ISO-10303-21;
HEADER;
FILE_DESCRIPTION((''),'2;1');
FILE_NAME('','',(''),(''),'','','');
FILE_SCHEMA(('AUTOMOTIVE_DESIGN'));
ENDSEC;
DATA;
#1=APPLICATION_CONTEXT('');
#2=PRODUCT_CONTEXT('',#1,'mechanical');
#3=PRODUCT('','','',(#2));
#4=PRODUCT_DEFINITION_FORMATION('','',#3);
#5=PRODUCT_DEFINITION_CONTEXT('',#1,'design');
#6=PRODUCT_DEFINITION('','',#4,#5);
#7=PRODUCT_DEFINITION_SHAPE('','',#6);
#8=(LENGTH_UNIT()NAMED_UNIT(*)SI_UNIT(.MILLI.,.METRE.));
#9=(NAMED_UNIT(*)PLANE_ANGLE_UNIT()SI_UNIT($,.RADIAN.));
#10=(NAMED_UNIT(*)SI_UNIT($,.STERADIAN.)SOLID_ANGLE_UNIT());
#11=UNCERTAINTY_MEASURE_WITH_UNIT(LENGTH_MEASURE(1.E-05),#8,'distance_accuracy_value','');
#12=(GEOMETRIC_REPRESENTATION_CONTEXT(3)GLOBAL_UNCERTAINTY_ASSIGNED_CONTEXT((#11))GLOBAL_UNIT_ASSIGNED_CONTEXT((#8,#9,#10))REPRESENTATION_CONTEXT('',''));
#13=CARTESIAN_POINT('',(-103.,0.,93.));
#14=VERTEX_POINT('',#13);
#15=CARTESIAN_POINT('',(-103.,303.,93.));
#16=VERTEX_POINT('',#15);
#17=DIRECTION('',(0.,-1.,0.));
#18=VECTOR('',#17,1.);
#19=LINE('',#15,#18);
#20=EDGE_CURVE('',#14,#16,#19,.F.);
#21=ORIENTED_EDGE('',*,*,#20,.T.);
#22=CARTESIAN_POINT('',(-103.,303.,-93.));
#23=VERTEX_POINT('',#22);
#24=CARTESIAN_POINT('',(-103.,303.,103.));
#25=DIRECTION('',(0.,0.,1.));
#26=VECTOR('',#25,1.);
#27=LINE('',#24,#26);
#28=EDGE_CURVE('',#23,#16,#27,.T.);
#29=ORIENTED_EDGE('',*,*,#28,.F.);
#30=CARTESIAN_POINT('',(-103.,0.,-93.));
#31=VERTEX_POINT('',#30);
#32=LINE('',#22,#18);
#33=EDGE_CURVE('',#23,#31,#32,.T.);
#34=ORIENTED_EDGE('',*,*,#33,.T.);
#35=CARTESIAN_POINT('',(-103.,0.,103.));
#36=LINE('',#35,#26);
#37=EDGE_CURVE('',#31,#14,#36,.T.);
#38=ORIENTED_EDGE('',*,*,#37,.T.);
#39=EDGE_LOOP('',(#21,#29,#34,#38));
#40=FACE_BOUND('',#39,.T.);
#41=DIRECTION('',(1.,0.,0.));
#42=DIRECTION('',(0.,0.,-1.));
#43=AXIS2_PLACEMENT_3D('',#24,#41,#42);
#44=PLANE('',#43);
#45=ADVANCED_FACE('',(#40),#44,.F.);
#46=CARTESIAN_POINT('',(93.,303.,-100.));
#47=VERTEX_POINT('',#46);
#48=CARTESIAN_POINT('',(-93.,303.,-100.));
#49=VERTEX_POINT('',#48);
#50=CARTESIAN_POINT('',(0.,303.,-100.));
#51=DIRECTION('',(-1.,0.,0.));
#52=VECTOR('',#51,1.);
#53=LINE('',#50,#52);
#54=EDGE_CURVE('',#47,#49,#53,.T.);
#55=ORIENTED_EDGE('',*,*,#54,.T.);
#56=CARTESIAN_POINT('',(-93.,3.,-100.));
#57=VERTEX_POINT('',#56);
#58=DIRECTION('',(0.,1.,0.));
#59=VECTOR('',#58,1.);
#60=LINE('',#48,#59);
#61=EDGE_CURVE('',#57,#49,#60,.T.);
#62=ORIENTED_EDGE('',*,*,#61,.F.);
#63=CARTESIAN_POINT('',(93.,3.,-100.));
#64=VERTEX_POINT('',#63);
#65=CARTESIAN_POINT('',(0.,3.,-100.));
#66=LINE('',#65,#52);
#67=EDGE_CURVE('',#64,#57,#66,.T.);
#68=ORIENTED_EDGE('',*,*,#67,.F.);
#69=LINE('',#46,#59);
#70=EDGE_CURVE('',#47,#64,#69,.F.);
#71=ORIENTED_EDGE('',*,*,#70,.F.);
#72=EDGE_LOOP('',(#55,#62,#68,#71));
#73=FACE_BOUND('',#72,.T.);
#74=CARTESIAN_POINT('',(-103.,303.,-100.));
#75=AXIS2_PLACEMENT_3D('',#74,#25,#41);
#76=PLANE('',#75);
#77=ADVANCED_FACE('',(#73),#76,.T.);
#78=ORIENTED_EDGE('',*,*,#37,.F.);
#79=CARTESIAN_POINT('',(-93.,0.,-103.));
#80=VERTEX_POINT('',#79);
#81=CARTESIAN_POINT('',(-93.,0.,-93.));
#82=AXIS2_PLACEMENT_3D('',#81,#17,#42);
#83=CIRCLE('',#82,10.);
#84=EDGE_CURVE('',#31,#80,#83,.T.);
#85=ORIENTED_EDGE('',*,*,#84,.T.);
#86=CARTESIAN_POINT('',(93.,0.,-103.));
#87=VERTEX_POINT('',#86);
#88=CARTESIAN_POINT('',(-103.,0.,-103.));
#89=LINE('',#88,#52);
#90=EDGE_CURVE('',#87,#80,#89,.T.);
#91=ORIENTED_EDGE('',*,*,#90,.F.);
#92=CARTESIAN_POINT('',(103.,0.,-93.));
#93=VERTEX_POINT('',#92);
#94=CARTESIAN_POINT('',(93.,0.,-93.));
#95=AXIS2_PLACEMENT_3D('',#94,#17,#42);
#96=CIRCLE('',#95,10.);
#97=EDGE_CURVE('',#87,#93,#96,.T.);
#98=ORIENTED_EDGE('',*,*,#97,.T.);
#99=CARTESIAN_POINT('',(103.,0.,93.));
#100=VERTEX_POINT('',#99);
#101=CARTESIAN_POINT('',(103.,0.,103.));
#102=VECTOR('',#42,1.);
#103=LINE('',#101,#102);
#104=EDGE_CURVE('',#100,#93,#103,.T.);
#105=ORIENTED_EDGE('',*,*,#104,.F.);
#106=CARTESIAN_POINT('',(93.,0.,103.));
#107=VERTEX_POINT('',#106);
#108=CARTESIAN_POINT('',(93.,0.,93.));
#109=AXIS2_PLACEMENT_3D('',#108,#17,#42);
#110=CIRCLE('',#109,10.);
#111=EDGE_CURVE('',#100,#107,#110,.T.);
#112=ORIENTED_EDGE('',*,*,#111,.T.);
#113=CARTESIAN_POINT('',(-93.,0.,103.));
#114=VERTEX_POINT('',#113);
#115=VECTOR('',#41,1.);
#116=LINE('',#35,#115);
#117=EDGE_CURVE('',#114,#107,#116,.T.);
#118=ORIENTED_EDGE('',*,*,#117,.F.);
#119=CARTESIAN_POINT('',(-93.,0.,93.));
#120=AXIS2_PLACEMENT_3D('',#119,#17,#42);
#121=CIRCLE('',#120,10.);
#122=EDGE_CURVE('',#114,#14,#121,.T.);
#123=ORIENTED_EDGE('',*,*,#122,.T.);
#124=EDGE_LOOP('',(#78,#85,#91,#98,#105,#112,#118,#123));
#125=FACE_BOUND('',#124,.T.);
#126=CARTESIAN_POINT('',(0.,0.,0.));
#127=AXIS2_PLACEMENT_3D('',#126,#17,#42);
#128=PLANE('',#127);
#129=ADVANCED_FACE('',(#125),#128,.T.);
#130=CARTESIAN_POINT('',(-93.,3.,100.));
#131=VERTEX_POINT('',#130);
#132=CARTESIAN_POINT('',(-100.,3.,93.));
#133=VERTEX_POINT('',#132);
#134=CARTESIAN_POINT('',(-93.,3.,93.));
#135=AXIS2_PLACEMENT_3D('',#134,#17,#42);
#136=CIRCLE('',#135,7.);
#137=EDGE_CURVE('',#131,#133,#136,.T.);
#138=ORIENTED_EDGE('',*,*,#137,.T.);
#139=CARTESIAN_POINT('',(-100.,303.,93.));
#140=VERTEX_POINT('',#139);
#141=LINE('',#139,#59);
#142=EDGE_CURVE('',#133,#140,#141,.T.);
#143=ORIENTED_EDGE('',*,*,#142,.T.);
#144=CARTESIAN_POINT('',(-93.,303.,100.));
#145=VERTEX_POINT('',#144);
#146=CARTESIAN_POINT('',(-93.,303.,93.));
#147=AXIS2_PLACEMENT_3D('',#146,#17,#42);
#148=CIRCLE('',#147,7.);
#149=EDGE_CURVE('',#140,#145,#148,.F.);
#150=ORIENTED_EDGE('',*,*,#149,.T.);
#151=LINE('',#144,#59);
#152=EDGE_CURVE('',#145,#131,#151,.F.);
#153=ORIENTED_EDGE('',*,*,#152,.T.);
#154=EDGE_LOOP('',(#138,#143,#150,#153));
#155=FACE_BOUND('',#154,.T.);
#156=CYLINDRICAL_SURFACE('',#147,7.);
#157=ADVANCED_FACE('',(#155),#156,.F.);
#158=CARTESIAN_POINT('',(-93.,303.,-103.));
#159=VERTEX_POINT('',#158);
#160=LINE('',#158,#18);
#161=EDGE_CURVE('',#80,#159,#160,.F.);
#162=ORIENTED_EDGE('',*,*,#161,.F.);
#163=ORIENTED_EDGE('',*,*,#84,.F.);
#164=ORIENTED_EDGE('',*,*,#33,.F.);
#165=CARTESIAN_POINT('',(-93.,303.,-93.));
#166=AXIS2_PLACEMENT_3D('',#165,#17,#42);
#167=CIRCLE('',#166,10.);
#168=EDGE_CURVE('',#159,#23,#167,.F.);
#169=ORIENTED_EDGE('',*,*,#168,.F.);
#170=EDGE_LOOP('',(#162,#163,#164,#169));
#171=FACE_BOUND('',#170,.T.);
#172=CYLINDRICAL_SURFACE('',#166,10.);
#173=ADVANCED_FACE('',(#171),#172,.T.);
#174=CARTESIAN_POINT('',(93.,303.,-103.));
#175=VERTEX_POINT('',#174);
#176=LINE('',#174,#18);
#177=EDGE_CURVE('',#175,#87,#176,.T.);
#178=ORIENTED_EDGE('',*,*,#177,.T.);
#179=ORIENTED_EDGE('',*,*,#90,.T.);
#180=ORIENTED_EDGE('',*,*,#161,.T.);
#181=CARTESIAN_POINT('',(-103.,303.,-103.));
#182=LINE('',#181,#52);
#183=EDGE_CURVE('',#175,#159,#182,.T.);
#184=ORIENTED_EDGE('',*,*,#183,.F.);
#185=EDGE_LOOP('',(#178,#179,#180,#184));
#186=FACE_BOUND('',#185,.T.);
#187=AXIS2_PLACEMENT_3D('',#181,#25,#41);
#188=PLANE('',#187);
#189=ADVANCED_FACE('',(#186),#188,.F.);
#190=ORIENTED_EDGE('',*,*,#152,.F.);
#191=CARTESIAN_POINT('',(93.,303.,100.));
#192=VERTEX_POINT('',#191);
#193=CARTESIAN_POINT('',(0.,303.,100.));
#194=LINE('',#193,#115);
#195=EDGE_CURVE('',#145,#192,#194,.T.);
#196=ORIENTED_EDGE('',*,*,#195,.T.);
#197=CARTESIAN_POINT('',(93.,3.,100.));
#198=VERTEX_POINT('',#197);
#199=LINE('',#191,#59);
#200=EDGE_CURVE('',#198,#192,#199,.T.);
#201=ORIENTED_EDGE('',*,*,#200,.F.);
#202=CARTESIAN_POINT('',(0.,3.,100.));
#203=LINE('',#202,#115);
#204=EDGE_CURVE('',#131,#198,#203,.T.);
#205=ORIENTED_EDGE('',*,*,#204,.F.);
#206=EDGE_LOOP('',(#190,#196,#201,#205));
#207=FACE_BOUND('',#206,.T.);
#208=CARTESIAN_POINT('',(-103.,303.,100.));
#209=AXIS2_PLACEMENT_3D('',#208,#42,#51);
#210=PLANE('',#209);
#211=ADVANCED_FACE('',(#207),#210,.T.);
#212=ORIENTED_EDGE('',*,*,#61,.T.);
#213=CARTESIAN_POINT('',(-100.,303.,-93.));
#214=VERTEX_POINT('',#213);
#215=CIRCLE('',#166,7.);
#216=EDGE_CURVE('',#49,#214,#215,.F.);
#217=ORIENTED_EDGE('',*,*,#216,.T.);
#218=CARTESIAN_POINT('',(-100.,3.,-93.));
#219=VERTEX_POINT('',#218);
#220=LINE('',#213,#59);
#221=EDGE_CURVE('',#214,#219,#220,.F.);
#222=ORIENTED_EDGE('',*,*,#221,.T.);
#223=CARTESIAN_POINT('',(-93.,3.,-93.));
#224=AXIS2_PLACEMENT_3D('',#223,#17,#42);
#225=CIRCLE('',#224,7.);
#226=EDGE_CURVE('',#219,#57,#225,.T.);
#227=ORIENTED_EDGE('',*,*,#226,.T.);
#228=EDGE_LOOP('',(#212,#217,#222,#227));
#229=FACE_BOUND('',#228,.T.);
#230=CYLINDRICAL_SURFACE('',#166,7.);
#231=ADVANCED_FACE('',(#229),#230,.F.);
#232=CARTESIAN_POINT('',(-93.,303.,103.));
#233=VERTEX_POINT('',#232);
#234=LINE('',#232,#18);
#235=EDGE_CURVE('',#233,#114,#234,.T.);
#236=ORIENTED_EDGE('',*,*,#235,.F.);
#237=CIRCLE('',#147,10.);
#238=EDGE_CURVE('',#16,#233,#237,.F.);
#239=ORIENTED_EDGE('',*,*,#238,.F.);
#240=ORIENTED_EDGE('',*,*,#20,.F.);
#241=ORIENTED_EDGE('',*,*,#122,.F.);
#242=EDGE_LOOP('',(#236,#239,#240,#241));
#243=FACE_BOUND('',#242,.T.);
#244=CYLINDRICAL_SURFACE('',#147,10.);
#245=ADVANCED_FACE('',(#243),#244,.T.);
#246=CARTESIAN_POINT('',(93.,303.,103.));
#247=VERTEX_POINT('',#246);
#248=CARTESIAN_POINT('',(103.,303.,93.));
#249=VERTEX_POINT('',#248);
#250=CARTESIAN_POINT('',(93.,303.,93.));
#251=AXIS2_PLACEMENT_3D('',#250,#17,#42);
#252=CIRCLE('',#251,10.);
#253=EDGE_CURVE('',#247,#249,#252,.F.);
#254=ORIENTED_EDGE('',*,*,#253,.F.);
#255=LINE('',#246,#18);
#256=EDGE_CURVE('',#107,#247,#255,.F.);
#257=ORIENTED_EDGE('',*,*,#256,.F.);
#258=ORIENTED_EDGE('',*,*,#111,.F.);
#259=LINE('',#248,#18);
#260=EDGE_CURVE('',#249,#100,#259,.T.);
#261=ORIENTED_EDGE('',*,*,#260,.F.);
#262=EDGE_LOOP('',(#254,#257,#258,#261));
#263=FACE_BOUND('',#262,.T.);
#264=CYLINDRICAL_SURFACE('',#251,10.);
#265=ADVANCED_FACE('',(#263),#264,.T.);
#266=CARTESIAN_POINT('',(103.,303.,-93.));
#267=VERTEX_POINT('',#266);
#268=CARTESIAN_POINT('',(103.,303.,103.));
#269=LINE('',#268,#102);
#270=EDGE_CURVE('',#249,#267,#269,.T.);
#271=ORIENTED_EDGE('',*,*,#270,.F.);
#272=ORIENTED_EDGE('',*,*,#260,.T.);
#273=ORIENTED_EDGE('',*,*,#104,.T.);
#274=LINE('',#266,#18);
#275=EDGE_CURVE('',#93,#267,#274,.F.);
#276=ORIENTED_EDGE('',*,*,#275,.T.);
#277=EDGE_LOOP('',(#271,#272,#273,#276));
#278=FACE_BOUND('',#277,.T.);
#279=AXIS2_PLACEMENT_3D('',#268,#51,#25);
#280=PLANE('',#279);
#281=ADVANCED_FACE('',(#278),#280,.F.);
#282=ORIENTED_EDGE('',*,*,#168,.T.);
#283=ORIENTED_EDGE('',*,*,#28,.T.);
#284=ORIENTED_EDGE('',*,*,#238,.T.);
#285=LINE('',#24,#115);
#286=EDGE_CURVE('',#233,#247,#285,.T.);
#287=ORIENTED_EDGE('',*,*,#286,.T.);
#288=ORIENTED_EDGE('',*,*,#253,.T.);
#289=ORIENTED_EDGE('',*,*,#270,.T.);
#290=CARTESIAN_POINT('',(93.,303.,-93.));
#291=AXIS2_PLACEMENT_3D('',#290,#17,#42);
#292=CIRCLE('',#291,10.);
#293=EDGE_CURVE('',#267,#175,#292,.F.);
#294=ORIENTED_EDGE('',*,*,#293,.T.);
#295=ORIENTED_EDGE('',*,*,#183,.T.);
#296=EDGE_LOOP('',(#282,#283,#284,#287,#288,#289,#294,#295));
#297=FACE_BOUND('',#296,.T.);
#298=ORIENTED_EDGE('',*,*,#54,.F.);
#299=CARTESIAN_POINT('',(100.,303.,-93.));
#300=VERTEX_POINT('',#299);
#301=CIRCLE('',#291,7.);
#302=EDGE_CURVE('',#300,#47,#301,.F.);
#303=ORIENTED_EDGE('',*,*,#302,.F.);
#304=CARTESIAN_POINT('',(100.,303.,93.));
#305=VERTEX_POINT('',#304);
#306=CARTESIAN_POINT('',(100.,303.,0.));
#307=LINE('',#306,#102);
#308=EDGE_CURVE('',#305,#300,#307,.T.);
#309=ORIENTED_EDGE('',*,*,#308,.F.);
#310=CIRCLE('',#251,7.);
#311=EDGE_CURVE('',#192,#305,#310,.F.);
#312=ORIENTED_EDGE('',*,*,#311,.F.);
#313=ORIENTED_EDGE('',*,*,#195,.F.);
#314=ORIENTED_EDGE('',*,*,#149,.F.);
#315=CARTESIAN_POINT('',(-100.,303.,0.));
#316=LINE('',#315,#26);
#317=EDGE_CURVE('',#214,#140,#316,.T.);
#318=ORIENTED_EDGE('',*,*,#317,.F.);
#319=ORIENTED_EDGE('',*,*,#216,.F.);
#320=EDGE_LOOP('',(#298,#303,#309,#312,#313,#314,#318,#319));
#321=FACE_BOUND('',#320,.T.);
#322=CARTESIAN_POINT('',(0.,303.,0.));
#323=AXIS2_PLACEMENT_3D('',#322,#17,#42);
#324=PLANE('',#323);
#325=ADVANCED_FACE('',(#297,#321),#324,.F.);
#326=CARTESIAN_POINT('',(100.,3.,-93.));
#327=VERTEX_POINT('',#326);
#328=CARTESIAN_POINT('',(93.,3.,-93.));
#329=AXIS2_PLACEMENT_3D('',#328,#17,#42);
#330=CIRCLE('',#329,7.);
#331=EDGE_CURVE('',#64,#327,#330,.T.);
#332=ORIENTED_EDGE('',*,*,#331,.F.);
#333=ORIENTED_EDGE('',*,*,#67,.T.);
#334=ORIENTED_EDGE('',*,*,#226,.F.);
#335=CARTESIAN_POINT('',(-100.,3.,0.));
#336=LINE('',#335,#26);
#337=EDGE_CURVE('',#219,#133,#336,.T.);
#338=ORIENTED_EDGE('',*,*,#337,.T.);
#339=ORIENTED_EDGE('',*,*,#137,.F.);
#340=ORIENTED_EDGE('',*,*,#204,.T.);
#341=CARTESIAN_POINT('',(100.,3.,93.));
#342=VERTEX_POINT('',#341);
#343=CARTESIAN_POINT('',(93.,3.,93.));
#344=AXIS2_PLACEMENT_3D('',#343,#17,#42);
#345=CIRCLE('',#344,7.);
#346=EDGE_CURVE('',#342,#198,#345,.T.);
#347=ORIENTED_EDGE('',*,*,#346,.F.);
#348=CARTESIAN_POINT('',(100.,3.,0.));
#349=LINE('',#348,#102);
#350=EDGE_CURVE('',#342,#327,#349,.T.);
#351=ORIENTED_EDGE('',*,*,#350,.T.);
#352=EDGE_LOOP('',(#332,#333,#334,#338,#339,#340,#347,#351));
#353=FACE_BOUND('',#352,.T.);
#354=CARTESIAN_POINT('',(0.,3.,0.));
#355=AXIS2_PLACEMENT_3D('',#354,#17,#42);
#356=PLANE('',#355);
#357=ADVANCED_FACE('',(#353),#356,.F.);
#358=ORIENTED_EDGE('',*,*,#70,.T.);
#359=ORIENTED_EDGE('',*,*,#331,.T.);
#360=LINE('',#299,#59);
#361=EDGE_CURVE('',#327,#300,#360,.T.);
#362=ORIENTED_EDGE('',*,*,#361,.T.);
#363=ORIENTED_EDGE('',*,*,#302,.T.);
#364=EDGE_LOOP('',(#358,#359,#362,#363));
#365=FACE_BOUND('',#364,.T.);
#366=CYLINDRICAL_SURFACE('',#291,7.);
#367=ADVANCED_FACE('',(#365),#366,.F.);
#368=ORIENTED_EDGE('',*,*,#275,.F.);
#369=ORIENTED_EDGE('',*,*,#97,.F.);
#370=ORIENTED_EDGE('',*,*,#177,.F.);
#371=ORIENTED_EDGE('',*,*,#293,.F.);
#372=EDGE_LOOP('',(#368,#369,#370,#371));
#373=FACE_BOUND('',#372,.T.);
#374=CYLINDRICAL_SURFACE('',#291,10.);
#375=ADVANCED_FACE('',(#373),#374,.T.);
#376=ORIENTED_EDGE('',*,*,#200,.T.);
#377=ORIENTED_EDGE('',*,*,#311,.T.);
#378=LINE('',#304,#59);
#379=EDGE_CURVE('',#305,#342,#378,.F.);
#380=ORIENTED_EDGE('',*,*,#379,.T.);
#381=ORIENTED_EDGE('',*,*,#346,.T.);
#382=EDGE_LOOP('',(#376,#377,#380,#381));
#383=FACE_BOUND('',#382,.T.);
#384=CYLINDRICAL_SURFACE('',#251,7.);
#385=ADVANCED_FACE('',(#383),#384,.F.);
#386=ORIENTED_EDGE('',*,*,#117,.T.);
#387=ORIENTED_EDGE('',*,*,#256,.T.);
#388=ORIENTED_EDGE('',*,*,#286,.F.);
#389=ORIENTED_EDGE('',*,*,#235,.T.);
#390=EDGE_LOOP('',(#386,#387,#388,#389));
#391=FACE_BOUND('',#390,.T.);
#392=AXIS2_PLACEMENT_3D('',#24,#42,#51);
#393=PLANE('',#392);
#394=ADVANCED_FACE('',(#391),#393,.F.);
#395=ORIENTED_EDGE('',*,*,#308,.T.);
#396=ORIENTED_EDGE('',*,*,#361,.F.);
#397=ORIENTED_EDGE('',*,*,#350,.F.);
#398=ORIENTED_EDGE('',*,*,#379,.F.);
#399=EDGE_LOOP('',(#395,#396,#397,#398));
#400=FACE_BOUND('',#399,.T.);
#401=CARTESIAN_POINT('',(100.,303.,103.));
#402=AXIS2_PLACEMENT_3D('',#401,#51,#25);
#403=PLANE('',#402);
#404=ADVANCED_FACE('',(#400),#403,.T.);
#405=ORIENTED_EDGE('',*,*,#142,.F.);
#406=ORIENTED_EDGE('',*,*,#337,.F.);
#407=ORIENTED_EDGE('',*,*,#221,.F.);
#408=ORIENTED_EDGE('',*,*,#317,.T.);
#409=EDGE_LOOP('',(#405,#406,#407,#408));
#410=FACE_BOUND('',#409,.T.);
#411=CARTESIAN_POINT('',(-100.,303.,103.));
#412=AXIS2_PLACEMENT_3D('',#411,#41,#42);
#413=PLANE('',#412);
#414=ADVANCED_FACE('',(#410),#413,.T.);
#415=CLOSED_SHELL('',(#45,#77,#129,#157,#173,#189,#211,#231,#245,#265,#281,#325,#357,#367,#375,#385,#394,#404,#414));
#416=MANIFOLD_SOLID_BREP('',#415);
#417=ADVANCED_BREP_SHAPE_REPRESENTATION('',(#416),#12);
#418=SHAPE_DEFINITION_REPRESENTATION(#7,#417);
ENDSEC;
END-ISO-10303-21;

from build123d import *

# Parameters (mm, degrees)
SKETCH1_W           = 206
SKETCH1_H           = 206
BOSS_EXTRUDE1_DEPTH = 303
FILLET1_R           = 10
SHELL1_T            = -3


with BuildPart() as part:
    # Sketch1 → Boss-Extrude1 (new body)
    with BuildSketch(Plane(origin=(0, 0, 0), x_dir=(1, 0, 0), z_dir=(0, 1, 0))):
        Rectangle(SKETCH1_W, SKETCH1_H)
    extrude(amount=BOSS_EXTRUDE1_DEPTH)

    # Fillet1
    fillet1_edges = [part.edges().sort_by_distance(p)[0] for p in [
        (103, 151.5, 103),
        (-103, 151.5, 103),
        (-103, 151.5, -103),
        (103, 151.5, -103),
    ]]
    fillet(fillet1_edges, radius=FILLET1_R)

    # Shell1
    shell1_openings = [part.faces().sort_by_distance(p)[0] for p in [
        (0, 303, 0),
    ]]
    offset(amount=SHELL1_T, openings=shell1_openings, kind=Kind.INTERSECTION)


solid = part.part
